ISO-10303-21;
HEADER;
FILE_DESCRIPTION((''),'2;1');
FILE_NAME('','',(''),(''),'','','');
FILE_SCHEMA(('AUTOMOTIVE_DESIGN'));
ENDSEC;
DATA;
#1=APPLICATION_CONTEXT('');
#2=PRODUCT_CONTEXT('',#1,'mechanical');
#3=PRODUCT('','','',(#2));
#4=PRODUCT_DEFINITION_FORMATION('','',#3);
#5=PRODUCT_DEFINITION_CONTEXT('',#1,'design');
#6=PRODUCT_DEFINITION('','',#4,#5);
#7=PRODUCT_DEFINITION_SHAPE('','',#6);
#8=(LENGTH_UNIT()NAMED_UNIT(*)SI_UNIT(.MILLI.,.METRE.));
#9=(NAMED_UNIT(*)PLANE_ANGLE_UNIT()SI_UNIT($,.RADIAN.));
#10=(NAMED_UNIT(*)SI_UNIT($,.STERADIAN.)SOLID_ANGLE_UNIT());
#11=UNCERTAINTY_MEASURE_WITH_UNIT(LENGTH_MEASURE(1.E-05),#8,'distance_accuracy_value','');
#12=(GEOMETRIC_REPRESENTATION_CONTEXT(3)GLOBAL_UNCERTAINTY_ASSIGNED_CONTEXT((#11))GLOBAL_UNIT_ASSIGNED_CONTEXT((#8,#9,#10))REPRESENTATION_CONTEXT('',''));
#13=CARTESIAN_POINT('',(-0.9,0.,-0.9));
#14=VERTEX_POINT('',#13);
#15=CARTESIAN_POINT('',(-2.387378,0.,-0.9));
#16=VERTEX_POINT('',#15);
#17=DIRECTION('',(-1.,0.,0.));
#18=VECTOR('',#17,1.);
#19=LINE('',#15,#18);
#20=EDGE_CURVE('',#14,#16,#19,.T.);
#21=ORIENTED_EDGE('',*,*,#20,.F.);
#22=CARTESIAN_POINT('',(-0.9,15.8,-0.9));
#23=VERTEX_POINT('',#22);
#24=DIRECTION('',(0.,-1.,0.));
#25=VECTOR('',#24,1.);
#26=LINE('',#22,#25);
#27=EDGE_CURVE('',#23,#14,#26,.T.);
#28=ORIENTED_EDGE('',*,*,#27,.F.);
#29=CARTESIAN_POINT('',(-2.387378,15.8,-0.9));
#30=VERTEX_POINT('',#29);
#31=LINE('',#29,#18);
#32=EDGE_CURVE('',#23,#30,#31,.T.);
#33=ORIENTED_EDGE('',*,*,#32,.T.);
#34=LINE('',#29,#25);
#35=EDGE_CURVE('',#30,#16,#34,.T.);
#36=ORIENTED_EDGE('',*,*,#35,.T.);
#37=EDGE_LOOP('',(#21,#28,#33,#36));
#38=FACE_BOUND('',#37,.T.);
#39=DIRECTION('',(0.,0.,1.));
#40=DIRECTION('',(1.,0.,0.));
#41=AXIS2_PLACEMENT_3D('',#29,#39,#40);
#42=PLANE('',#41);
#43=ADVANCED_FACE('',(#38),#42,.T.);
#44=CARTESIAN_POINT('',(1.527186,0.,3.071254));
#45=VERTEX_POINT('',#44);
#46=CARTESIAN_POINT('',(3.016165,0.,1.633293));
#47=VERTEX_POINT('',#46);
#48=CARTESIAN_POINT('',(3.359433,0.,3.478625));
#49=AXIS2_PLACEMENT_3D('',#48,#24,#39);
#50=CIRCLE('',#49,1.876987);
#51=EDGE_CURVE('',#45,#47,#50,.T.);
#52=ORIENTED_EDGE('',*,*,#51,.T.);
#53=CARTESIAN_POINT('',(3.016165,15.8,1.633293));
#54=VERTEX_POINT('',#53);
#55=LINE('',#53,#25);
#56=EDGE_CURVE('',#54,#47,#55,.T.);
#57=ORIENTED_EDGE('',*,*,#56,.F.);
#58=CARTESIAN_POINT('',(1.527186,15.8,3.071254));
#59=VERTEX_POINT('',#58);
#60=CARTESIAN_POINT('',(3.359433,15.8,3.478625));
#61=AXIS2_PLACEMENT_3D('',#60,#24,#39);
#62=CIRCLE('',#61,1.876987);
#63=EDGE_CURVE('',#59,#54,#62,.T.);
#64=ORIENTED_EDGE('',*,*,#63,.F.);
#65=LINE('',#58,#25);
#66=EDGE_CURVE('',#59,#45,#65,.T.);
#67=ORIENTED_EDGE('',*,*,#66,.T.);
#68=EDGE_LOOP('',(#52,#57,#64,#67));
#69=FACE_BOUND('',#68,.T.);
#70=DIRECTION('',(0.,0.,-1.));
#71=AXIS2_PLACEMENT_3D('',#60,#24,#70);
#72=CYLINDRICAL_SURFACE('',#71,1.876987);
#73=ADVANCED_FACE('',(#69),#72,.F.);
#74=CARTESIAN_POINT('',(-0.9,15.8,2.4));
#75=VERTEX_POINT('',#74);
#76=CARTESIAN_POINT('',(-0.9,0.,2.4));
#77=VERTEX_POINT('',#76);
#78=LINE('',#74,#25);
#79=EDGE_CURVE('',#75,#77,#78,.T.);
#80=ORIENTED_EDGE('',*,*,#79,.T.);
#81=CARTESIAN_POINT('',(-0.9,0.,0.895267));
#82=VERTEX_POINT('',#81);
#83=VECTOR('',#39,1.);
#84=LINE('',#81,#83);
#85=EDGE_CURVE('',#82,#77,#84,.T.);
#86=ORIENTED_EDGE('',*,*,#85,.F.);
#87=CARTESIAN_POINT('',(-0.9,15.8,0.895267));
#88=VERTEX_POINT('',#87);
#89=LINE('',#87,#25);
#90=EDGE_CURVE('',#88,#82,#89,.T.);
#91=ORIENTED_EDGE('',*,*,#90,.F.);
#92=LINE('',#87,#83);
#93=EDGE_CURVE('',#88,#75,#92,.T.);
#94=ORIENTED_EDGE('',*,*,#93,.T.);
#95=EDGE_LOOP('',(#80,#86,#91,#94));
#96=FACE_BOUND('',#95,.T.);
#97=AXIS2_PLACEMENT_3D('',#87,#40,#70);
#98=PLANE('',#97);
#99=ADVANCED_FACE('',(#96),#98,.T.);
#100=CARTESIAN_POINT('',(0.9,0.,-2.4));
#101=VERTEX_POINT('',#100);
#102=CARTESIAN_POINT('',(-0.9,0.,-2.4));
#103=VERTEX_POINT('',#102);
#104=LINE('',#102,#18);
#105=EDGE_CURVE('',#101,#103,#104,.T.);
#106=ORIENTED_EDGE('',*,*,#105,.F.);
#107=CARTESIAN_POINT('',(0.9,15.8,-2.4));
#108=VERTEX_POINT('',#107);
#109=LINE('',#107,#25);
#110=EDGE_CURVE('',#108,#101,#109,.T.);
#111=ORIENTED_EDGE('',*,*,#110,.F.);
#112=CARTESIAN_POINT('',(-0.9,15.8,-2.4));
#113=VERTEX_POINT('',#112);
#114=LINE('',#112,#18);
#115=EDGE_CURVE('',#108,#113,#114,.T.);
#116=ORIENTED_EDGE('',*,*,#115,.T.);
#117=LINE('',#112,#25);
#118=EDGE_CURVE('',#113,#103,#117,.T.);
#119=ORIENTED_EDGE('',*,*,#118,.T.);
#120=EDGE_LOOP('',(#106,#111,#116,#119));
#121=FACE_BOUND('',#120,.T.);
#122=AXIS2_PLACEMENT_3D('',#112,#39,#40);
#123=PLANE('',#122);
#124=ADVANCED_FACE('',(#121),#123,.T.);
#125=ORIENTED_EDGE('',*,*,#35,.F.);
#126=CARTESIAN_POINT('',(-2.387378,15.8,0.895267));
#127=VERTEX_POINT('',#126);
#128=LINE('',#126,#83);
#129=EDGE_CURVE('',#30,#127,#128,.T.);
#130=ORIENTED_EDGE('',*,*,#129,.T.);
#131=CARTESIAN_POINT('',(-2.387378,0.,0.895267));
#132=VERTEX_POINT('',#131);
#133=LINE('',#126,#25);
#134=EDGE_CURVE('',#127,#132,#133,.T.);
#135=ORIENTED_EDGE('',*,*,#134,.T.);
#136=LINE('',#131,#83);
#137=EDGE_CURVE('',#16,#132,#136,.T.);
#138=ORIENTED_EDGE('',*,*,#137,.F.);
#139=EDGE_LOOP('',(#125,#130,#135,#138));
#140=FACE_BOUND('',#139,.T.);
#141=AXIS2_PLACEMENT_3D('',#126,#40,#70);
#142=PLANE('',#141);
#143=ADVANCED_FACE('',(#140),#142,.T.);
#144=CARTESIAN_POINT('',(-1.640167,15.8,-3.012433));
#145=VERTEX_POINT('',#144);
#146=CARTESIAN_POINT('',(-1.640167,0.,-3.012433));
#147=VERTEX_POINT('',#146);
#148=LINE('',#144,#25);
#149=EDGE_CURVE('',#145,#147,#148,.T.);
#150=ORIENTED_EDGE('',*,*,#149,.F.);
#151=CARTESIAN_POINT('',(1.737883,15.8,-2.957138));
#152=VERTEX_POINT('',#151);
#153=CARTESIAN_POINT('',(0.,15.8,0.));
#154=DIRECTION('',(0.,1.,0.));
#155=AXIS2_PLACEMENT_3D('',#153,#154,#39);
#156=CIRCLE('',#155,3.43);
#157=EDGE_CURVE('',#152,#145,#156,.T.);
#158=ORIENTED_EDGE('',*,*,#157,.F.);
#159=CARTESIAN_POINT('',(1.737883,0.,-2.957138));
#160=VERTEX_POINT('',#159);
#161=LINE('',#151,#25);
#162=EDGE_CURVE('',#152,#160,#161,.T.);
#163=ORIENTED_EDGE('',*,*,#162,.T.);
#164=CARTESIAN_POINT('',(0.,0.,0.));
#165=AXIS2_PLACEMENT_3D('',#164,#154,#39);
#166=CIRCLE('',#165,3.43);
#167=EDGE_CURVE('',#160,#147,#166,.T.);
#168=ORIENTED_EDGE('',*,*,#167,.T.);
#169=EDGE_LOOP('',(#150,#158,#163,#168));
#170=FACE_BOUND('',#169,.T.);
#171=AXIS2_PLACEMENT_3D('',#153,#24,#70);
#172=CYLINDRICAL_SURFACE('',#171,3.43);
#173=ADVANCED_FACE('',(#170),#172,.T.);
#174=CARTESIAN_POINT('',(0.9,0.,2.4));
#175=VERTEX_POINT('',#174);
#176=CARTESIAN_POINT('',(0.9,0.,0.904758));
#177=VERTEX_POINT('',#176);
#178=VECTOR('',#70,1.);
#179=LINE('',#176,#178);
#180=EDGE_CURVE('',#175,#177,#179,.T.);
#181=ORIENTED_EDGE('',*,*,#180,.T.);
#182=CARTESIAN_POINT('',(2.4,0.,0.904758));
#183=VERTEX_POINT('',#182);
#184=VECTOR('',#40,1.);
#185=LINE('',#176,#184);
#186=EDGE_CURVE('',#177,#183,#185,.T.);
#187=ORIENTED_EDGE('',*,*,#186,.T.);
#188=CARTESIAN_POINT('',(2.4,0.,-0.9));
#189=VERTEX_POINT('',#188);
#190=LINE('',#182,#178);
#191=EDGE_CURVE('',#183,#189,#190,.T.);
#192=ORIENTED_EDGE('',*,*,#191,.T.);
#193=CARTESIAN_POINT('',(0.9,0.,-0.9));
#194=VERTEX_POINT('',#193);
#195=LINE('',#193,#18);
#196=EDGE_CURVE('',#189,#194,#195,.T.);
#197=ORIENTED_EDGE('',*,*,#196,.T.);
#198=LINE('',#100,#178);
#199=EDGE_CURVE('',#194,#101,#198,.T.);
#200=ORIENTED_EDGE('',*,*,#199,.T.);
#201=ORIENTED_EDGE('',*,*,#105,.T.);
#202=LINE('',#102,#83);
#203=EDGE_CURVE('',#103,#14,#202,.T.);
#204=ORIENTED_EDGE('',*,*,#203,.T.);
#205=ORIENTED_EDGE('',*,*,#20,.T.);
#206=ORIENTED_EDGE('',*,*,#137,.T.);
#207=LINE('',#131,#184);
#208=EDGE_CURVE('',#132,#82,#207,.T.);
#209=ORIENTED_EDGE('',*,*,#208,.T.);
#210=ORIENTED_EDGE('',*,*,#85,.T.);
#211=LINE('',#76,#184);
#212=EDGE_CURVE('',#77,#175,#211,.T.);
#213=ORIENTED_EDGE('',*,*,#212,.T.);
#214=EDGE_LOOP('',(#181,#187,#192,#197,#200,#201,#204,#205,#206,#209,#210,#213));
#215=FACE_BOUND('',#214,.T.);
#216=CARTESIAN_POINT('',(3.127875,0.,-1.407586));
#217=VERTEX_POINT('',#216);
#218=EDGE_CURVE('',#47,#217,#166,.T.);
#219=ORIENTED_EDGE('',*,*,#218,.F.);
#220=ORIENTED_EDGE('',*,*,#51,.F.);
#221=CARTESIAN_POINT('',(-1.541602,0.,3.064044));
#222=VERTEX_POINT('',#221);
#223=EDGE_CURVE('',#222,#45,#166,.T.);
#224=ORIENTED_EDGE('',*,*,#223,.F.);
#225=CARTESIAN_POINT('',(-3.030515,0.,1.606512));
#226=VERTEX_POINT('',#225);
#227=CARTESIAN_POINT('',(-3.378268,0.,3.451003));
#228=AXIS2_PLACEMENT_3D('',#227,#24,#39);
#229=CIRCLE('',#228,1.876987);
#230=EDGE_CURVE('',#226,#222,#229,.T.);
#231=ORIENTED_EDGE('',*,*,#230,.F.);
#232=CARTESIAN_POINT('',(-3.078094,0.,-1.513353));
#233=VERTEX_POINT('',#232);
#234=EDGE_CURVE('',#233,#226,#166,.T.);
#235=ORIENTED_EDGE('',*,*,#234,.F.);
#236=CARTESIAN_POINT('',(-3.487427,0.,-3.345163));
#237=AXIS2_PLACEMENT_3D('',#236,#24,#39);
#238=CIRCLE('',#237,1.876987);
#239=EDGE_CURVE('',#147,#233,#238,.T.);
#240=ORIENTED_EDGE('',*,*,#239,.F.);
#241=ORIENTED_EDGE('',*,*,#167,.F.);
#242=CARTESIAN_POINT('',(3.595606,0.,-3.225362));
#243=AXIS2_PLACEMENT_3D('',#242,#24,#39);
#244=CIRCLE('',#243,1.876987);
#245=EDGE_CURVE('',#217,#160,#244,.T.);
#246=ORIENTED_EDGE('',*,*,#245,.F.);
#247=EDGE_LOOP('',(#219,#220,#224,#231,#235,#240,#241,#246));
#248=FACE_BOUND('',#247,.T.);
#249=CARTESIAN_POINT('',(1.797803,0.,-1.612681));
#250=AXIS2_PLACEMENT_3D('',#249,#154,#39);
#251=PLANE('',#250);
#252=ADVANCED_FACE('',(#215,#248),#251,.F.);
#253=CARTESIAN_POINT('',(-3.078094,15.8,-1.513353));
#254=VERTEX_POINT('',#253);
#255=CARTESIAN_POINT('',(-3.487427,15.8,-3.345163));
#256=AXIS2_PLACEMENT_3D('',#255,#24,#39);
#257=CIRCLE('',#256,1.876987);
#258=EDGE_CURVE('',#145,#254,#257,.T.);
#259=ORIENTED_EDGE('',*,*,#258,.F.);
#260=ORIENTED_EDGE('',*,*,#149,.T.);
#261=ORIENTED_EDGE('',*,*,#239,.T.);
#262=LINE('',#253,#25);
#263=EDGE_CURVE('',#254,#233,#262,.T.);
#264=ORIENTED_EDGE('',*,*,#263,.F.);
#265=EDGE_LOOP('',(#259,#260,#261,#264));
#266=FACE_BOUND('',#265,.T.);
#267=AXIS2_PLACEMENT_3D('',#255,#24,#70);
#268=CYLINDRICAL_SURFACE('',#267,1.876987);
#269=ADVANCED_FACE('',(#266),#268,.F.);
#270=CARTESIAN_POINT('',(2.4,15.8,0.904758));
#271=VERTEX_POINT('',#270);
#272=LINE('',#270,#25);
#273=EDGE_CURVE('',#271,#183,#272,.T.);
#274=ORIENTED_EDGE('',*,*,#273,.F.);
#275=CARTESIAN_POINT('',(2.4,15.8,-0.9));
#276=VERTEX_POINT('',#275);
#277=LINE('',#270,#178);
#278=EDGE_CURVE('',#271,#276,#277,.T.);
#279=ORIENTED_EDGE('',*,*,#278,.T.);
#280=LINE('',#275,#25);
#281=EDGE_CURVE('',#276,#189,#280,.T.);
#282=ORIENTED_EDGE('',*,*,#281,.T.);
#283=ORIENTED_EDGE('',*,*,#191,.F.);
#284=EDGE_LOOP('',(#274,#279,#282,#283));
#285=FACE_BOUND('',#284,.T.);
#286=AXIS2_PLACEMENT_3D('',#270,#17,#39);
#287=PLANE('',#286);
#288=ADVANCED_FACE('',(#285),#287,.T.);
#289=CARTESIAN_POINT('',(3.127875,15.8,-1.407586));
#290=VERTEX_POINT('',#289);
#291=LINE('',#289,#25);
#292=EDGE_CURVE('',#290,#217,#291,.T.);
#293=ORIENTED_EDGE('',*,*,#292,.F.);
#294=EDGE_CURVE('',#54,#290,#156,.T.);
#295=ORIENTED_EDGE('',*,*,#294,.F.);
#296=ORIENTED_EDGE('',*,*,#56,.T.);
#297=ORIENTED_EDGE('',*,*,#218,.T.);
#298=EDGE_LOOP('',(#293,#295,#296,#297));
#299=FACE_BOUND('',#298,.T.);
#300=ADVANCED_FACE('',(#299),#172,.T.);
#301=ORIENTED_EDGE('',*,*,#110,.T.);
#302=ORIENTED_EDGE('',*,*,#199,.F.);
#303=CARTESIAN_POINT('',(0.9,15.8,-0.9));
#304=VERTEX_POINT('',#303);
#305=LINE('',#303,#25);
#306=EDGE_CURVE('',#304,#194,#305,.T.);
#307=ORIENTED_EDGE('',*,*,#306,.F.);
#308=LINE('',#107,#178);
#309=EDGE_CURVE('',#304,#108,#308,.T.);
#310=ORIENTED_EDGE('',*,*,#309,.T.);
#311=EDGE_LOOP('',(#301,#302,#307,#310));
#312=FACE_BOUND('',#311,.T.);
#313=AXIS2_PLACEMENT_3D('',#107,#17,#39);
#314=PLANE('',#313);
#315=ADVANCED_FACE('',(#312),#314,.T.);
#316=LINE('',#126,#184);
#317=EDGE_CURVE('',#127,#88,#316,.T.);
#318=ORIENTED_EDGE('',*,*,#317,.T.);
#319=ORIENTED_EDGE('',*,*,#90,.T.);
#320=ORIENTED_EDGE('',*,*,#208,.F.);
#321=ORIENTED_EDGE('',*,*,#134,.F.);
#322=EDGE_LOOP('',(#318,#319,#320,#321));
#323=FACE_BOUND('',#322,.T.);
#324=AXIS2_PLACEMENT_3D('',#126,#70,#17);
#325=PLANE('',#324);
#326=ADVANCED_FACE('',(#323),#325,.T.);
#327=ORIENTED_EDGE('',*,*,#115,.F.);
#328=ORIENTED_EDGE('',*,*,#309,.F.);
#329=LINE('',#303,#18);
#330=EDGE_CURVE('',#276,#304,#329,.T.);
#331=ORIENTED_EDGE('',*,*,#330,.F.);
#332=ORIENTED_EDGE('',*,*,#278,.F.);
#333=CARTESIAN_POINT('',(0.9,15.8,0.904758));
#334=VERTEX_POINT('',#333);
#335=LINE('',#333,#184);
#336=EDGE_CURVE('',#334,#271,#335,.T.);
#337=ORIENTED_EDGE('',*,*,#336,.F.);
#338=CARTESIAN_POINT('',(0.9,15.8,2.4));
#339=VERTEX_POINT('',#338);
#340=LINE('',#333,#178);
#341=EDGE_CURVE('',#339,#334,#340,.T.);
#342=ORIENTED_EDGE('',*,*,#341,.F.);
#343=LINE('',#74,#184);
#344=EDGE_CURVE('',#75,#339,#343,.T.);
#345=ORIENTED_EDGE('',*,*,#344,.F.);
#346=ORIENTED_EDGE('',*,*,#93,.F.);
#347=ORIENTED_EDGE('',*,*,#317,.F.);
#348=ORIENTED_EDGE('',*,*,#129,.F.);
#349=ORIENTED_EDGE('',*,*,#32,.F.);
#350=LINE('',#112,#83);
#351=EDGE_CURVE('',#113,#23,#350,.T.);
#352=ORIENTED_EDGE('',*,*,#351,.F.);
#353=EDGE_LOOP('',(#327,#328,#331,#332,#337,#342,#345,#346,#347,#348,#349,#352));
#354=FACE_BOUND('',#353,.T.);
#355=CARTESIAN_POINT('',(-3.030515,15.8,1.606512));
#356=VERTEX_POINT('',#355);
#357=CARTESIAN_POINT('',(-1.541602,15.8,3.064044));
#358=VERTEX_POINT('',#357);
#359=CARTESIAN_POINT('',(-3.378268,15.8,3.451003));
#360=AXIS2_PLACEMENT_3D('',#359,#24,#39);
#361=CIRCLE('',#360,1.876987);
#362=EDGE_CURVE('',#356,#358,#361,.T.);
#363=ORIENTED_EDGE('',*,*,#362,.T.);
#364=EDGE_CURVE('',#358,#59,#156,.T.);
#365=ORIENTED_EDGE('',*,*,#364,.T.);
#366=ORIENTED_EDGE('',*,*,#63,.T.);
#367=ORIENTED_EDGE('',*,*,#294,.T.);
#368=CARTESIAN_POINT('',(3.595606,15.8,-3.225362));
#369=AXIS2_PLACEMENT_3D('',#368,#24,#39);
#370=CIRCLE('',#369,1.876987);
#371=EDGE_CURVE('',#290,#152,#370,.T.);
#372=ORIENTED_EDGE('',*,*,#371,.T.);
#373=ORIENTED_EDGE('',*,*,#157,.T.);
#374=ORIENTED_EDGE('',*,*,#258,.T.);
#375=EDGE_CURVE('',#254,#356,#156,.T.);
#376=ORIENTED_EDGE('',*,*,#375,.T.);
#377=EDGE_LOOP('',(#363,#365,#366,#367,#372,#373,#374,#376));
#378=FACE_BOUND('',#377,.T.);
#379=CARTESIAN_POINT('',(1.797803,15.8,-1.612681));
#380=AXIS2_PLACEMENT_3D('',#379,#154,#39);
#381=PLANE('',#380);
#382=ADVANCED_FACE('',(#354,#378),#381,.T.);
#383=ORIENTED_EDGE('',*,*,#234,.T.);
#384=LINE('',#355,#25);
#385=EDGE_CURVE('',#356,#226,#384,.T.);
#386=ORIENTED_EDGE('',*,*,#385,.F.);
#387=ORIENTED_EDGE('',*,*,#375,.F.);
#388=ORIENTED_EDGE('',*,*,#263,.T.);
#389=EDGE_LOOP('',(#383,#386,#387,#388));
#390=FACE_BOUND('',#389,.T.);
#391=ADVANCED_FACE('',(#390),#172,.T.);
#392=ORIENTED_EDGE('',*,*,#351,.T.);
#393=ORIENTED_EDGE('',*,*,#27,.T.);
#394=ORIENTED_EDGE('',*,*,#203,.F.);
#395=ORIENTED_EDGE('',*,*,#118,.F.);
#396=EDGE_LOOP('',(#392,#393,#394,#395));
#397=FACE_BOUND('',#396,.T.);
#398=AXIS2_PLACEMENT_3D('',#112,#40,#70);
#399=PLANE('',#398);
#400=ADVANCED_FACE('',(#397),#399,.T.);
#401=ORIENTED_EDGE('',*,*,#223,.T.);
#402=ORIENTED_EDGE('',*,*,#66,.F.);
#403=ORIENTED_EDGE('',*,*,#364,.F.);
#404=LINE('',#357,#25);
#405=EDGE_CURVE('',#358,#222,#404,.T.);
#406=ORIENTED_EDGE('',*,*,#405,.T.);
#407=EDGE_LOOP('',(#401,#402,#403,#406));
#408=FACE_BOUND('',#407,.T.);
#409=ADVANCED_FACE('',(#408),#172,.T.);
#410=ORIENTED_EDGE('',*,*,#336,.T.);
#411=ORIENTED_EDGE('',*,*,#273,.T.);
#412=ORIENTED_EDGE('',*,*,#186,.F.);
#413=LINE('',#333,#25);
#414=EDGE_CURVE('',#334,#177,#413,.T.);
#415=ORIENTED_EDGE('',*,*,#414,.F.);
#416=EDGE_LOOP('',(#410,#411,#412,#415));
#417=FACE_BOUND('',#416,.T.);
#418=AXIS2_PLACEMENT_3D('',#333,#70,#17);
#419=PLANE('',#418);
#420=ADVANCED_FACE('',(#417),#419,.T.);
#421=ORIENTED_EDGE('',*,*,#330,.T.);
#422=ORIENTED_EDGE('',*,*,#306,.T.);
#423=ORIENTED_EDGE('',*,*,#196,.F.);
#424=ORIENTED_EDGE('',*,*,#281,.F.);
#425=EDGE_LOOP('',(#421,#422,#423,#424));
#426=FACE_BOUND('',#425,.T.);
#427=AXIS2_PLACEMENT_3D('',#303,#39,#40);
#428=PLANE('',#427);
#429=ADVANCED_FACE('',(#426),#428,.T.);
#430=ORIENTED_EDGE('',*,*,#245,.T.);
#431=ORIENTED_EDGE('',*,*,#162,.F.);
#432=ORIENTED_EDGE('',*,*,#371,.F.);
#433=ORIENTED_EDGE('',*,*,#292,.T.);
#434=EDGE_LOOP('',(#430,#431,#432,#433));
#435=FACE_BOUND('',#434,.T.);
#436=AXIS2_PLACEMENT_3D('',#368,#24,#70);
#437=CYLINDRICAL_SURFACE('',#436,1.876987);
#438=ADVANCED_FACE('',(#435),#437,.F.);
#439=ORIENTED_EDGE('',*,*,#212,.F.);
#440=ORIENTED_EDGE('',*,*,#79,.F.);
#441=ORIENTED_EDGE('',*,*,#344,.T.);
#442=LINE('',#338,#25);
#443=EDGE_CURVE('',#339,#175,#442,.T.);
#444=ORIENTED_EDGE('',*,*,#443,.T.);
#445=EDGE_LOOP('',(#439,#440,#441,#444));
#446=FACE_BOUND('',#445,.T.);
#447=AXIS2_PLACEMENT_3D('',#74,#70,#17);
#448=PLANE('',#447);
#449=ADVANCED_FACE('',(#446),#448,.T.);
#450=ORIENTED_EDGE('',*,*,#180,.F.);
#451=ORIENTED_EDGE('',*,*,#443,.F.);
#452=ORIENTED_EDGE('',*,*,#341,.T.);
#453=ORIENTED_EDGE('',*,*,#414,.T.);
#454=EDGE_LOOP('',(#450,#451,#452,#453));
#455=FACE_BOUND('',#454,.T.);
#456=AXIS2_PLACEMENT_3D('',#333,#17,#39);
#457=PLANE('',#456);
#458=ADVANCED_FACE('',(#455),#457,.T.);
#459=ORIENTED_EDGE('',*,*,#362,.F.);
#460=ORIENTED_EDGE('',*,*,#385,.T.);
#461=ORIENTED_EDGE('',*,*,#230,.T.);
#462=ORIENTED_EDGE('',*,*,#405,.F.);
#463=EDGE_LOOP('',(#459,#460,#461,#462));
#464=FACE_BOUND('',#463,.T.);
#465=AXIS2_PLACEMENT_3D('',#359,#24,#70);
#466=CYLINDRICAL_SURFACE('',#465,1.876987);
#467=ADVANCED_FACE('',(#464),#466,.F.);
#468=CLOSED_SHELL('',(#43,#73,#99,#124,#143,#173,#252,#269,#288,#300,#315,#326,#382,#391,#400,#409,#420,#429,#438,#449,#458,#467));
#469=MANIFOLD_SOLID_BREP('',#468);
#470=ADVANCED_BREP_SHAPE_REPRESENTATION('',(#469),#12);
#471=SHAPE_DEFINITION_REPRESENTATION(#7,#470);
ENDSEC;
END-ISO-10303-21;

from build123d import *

# Parameters (mm, degrees)
BOSS_EXTRUDE1_DEPTH = 15.8


with BuildPart() as part:
    # Sketch1 → Boss-Extrude1 (new body)
    with BuildSketch(Plane(origin=(0, 0, 0), x_dir=(1, 0, 0), z_dir=(0, 1, 0))):
        with BuildLine():
            ThreePointArc((-3.07809394, 1.513353131), (-3.429601206, -0.052302649), (-3.030514882, -1.606511608))
            ThreePointArc((-3.030514882, -1.606511608), (-2.065248113, -2.109713097), (-1.541602156, -3.064043536))
            ThreePointArc((-1.541602156, -3.064043536), (-0.008059447, -3.429990531), (1.52718605, -3.071254266))
            ThreePointArc((1.52718605, -3.071254266), (2.055535434, -2.128465), (3.016165269, -1.633293321))
            ThreePointArc((3.016165269, -1.633293321), (3.427687897, -0.12591933), (3.127874832, 1.407586245))
            ThreePointArc((3.127874832, 1.407586245), (2.198390326, 1.972019011), (1.737882905, 2.957137637))
            ThreePointArc((1.737882905, 2.957137637), (0.056138347, 3.429540565), (-1.640166658, 3.012433125))
            ThreePointArc((-1.640166658, 3.012433125), (-2.132855627, 2.045848991), (-3.07809394, 1.513353131))
        make_face()
        Polygon((-0.9, -0.895266893), (-0.9, -2.4), (0.9, -2.4), (0.9, -0.90475813), (2.4, -0.90475813), (2.4, 0.9), (0.9, 0.9), (0.9, 2.4), (-0.9, 2.4), (-0.9, 0.9), (-2.387378381, 0.9), (-2.387378381, -0.895266893), align=None, mode=Mode.SUBTRACT)
    extrude(amount=BOSS_EXTRUDE1_DEPTH)


solid = part.part
